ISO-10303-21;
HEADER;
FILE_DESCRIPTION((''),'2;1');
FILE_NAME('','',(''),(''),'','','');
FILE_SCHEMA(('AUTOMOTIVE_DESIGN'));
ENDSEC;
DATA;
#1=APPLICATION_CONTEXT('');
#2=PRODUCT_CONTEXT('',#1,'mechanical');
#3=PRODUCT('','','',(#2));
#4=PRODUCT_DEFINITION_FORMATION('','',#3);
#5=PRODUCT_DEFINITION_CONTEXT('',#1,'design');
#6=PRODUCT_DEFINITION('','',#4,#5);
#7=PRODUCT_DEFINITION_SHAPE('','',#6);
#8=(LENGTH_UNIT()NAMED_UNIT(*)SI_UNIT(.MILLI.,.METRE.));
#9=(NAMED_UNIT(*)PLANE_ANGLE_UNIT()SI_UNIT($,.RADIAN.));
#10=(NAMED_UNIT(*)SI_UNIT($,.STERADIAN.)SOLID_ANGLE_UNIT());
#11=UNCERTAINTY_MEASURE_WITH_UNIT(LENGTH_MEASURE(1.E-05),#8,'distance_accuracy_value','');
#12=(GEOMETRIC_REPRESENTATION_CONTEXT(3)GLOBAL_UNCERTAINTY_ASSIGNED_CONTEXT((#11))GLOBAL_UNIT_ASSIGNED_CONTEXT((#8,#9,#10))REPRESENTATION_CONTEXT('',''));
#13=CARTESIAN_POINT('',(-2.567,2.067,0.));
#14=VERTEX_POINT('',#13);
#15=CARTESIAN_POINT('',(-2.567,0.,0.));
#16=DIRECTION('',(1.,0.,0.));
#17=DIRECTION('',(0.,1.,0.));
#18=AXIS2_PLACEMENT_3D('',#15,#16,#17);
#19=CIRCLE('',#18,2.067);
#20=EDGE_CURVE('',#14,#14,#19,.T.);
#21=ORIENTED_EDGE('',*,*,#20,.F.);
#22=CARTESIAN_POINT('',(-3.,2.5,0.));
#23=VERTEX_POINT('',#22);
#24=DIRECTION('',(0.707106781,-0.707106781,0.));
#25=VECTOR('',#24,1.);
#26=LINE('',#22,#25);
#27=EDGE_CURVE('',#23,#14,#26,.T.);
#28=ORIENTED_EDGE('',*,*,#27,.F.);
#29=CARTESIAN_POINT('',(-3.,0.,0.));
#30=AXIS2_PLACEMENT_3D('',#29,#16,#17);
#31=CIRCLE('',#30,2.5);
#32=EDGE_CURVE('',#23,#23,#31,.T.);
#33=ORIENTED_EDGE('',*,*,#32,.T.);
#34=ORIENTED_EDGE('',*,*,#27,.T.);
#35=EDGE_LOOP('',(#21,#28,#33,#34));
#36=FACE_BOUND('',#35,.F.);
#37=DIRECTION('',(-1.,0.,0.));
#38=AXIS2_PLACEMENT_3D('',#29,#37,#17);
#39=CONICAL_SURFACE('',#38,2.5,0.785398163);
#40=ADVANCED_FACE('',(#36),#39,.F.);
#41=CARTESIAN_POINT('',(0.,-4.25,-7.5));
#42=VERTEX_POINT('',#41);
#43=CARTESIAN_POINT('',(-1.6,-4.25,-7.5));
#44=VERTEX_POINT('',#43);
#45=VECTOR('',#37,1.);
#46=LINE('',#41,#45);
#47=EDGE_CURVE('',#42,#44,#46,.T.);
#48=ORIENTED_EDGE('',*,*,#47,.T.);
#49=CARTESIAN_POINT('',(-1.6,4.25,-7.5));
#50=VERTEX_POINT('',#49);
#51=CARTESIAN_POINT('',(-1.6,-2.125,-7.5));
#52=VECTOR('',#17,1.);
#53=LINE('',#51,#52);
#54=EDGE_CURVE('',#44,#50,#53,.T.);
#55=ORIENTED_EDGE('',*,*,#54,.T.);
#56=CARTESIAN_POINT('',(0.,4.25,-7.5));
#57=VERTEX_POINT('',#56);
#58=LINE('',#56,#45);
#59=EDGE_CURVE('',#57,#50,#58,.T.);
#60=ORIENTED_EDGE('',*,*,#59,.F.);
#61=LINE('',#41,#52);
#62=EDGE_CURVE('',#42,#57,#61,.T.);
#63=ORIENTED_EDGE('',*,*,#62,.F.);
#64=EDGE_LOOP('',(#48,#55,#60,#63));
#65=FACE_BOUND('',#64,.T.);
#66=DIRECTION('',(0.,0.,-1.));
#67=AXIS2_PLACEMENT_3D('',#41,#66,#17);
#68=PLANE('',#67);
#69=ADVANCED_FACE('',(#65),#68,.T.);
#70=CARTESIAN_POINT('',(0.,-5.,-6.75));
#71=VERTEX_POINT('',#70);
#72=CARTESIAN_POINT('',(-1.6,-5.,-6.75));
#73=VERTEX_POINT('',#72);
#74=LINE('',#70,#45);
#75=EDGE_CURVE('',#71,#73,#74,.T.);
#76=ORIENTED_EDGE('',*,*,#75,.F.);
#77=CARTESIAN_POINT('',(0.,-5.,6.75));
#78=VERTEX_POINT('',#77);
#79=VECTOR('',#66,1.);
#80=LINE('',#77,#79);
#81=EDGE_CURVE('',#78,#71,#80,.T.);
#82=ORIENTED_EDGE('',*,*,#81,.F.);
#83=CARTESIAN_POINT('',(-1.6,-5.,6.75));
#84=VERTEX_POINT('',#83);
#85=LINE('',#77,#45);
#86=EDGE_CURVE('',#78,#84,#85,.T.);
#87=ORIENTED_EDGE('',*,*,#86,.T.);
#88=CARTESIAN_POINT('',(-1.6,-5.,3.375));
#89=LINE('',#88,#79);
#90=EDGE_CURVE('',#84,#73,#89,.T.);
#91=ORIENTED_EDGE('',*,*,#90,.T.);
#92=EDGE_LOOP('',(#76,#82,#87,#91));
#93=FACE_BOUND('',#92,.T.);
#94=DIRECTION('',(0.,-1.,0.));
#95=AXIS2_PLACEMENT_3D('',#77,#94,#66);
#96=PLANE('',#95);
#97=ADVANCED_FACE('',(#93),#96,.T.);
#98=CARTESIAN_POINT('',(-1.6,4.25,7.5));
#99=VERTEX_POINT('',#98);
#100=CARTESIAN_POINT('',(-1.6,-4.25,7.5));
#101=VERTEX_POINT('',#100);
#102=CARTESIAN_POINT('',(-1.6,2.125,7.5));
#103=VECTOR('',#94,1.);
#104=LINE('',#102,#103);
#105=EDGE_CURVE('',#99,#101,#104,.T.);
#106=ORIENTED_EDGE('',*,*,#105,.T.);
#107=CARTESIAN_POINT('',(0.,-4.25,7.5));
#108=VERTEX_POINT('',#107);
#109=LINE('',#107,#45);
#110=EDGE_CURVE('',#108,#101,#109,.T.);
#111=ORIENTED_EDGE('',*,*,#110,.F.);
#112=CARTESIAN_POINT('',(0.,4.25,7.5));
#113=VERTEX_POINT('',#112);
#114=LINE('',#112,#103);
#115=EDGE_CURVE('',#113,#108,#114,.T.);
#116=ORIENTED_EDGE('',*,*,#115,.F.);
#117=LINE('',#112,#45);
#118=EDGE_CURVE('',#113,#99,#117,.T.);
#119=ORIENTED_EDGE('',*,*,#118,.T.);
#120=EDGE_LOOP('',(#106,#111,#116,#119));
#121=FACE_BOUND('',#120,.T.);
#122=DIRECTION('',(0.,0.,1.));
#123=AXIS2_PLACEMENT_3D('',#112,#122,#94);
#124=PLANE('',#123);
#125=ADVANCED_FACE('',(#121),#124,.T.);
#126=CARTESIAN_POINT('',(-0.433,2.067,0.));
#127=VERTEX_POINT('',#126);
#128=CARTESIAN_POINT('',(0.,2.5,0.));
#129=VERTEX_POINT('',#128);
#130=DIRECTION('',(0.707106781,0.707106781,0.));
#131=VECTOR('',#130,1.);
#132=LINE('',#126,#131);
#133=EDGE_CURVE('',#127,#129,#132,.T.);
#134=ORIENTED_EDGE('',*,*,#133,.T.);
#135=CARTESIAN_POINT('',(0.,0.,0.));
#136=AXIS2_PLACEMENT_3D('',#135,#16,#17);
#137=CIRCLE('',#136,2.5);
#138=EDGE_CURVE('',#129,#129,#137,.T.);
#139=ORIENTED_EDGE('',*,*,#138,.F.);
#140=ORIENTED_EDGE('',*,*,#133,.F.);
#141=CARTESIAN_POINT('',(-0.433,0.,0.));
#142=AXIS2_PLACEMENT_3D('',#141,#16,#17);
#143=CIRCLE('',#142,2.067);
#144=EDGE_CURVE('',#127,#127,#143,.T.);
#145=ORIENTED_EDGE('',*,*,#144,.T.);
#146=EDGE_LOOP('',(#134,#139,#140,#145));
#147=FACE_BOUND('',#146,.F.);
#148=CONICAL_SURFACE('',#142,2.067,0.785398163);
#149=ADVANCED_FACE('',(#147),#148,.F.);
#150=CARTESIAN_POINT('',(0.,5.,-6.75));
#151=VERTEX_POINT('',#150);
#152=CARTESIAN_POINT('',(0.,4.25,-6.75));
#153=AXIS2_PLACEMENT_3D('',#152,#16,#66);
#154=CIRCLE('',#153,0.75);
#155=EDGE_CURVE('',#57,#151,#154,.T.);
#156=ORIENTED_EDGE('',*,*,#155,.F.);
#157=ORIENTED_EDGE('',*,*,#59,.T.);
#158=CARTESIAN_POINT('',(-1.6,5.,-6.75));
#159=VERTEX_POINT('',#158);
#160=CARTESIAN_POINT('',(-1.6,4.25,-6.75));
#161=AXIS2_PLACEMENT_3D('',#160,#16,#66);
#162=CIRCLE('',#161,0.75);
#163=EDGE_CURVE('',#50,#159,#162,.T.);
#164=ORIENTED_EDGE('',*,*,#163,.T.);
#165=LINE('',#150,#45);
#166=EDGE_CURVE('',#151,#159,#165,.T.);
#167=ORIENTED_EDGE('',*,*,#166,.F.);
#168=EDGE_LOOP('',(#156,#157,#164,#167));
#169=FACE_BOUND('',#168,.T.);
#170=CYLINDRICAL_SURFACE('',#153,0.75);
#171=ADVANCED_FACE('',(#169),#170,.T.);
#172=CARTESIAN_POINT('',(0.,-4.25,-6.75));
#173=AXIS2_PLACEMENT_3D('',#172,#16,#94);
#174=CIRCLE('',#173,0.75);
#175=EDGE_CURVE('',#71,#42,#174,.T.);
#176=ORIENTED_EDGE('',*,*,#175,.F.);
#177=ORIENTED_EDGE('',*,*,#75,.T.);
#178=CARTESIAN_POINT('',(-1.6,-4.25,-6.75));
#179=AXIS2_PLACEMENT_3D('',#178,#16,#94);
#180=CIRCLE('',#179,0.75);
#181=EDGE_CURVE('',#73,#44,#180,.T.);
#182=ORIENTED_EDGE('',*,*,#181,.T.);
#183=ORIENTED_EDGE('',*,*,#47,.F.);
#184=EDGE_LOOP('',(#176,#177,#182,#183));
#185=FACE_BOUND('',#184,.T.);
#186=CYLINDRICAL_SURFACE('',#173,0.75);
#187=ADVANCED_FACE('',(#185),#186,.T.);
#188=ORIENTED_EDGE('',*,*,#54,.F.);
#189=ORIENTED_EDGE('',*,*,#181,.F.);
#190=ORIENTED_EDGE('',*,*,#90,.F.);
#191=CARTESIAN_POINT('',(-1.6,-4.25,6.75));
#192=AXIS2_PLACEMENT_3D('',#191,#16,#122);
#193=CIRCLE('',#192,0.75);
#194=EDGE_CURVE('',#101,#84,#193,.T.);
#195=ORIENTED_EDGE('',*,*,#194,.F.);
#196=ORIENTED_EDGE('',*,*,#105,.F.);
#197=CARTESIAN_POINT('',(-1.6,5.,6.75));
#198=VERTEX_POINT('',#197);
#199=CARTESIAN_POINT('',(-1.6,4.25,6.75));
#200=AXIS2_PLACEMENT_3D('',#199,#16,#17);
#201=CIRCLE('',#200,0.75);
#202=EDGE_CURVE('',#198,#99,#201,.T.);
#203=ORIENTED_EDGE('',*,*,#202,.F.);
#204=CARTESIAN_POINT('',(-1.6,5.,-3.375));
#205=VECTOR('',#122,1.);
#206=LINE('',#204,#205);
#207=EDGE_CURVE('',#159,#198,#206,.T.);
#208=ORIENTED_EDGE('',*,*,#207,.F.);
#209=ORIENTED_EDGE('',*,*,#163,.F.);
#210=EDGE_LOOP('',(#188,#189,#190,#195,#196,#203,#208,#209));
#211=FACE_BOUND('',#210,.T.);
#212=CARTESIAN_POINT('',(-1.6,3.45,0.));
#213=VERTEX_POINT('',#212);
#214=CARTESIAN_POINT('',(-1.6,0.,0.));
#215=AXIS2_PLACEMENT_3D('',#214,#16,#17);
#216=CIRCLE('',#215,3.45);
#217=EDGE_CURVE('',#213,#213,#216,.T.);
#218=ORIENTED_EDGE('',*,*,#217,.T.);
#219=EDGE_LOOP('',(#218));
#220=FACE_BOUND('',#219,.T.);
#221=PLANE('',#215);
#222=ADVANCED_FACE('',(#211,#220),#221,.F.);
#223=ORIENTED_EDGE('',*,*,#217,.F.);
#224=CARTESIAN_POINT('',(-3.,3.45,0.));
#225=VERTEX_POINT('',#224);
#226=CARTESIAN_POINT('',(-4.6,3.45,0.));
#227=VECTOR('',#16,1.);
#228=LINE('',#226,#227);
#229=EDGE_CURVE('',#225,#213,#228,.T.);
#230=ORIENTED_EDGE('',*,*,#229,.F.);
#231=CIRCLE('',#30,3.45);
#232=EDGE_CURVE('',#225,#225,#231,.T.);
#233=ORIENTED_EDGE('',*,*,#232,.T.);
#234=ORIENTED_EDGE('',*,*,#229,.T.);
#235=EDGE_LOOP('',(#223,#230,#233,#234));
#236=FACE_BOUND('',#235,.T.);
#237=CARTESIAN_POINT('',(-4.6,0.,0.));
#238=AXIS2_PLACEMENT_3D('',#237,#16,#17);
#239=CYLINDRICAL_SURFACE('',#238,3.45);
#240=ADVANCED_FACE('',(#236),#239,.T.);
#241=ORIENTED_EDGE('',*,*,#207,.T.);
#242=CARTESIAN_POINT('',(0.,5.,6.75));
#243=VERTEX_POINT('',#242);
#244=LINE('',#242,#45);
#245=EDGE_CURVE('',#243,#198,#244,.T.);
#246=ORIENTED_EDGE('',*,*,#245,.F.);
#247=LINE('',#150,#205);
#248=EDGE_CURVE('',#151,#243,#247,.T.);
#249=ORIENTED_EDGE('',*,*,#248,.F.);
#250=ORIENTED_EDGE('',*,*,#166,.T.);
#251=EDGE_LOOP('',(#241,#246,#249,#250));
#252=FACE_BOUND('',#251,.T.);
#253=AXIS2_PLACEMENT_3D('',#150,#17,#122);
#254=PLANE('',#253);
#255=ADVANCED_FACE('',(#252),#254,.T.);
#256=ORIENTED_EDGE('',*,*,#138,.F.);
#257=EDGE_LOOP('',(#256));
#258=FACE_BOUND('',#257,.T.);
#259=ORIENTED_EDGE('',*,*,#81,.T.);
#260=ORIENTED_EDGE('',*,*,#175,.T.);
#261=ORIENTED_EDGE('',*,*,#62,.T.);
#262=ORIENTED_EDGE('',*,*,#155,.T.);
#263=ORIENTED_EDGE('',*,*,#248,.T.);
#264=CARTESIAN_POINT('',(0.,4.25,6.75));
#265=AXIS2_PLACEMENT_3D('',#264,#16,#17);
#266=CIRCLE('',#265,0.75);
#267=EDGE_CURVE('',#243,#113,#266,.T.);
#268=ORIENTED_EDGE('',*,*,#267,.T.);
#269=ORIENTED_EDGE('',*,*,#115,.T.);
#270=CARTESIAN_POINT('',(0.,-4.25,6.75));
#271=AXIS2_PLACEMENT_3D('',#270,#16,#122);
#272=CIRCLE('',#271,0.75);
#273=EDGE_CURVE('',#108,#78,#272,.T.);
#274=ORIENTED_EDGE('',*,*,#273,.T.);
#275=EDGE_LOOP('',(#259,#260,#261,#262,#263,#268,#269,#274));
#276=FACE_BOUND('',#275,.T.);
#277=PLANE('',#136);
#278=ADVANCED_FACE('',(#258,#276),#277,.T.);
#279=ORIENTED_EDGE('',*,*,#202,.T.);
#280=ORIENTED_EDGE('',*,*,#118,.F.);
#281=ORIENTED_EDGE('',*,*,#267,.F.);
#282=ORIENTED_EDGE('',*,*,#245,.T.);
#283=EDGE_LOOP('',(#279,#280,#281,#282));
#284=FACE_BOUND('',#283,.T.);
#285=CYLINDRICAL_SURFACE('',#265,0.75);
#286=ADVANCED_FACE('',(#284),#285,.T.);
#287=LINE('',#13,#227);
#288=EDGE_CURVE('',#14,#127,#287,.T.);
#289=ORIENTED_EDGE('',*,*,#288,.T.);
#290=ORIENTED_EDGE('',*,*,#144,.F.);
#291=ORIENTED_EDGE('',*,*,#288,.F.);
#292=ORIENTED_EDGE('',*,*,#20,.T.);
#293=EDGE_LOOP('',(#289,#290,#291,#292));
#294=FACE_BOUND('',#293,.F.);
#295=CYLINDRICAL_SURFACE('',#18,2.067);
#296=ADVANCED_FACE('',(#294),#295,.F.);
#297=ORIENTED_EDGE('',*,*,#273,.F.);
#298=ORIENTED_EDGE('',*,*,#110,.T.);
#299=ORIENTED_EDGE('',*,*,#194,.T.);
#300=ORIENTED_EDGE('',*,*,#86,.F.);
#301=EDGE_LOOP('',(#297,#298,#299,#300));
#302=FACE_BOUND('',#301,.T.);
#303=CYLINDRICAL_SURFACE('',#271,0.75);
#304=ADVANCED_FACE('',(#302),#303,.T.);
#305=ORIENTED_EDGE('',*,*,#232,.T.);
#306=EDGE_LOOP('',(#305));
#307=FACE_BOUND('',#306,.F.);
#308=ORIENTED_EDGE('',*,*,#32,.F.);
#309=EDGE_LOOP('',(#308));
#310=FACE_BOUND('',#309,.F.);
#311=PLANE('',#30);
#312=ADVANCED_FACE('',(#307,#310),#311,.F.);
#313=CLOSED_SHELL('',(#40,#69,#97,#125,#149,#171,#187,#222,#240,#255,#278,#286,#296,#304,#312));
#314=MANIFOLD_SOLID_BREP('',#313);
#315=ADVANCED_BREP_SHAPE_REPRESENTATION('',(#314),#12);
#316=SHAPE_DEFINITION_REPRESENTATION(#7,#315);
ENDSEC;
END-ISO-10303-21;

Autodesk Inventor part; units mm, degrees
sketch "Sketch_1" plane through (0, 0, 0) normal (1, 0, 0) x (0, 1, 0)
  line L0 (4.25, 7.5) -> (-4.25, 7.5)
  arc A0 (-4.25, 7.5) -> (-5, 6.75) centre (-4.25, 6.75) ccw
  line L1 (-5, 6.75) -> (-5, -6.75)
  arc A1 (-5, -6.75) -> (-4.25, -7.5) centre (-4.25, -6.75) ccw
  line L2 (-4.25, -7.5) -> (4.25, -7.5)
  arc A2 (4.25, -7.5) -> (5, -6.75) centre (4.25, -6.75) ccw
  line L3 (5, -6.75) -> (5, 6.75)
  arc A3 (5, 6.75) -> (4.25, 7.5) centre (4.25, 6.75) ccw
extrude "Extrusion1" add sketch "Sketch_1" against normal blind 3
sketch "Sketch_2" plane through (0, 0, 0) normal (0, 0, 1) x (1, 0, 0)
  line L0 (3, 0) -> (-3, 0)
  line L1 (-4.6, 3.45) -> (-1.6, 3.45)
  line L2 (-1.6, 3.45) -> (-1.6, 13.45)
  line L3 (-1.6, 13.45) -> (-4.6, 13.45)
  line L4 (-4.6, 13.45) -> (-4.6, 3.45)
revolve "Revolution1" cut sketch "Sketch_2" angle 360 about axis through (3, 0, 0) along (1, 0, 0)
sketch "Sketch_3" plane through (0, 0, 0) normal (0, 0, 1) x (1, 0, 0)
  line L0 (0, 0) -> (-3, 0)
  line L1 (-3, 0) -> (-3, 2.5)
  line L2 (-3, 2.5) -> (-2.567, 2.067)
  line L3 (-2.567, 2.067) -> (-0.433, 2.067)
  line L4 (-0.433, 2.067) -> (0, 2.5)
  line L5 (0, 2.5) -> (0, 0)
  line L6 (0, 0) -> (-3, 0)
revolve "Revolution2" cut sketch "Sketch_3" angle 360 about axis through (0, 0, 0) along (1, 0, 0)
thread "Thread1" size "M5x0.8" class "6H" standard "ISO Metric profile" full length
ref_plane "dummy_XY" through (0, 0, 0) normal (1, 0, 0) x (0, 0, -1)
ref_plane "dummy_YZ" through (0, 0, 0) normal (0, 0, -1) x (0, 1, 0)
ref_plane "dummy_ZX" through (0, 0, 0) normal (0, 1, 0) x (1, 0, 0)
properties part number "HNKK5-5"
